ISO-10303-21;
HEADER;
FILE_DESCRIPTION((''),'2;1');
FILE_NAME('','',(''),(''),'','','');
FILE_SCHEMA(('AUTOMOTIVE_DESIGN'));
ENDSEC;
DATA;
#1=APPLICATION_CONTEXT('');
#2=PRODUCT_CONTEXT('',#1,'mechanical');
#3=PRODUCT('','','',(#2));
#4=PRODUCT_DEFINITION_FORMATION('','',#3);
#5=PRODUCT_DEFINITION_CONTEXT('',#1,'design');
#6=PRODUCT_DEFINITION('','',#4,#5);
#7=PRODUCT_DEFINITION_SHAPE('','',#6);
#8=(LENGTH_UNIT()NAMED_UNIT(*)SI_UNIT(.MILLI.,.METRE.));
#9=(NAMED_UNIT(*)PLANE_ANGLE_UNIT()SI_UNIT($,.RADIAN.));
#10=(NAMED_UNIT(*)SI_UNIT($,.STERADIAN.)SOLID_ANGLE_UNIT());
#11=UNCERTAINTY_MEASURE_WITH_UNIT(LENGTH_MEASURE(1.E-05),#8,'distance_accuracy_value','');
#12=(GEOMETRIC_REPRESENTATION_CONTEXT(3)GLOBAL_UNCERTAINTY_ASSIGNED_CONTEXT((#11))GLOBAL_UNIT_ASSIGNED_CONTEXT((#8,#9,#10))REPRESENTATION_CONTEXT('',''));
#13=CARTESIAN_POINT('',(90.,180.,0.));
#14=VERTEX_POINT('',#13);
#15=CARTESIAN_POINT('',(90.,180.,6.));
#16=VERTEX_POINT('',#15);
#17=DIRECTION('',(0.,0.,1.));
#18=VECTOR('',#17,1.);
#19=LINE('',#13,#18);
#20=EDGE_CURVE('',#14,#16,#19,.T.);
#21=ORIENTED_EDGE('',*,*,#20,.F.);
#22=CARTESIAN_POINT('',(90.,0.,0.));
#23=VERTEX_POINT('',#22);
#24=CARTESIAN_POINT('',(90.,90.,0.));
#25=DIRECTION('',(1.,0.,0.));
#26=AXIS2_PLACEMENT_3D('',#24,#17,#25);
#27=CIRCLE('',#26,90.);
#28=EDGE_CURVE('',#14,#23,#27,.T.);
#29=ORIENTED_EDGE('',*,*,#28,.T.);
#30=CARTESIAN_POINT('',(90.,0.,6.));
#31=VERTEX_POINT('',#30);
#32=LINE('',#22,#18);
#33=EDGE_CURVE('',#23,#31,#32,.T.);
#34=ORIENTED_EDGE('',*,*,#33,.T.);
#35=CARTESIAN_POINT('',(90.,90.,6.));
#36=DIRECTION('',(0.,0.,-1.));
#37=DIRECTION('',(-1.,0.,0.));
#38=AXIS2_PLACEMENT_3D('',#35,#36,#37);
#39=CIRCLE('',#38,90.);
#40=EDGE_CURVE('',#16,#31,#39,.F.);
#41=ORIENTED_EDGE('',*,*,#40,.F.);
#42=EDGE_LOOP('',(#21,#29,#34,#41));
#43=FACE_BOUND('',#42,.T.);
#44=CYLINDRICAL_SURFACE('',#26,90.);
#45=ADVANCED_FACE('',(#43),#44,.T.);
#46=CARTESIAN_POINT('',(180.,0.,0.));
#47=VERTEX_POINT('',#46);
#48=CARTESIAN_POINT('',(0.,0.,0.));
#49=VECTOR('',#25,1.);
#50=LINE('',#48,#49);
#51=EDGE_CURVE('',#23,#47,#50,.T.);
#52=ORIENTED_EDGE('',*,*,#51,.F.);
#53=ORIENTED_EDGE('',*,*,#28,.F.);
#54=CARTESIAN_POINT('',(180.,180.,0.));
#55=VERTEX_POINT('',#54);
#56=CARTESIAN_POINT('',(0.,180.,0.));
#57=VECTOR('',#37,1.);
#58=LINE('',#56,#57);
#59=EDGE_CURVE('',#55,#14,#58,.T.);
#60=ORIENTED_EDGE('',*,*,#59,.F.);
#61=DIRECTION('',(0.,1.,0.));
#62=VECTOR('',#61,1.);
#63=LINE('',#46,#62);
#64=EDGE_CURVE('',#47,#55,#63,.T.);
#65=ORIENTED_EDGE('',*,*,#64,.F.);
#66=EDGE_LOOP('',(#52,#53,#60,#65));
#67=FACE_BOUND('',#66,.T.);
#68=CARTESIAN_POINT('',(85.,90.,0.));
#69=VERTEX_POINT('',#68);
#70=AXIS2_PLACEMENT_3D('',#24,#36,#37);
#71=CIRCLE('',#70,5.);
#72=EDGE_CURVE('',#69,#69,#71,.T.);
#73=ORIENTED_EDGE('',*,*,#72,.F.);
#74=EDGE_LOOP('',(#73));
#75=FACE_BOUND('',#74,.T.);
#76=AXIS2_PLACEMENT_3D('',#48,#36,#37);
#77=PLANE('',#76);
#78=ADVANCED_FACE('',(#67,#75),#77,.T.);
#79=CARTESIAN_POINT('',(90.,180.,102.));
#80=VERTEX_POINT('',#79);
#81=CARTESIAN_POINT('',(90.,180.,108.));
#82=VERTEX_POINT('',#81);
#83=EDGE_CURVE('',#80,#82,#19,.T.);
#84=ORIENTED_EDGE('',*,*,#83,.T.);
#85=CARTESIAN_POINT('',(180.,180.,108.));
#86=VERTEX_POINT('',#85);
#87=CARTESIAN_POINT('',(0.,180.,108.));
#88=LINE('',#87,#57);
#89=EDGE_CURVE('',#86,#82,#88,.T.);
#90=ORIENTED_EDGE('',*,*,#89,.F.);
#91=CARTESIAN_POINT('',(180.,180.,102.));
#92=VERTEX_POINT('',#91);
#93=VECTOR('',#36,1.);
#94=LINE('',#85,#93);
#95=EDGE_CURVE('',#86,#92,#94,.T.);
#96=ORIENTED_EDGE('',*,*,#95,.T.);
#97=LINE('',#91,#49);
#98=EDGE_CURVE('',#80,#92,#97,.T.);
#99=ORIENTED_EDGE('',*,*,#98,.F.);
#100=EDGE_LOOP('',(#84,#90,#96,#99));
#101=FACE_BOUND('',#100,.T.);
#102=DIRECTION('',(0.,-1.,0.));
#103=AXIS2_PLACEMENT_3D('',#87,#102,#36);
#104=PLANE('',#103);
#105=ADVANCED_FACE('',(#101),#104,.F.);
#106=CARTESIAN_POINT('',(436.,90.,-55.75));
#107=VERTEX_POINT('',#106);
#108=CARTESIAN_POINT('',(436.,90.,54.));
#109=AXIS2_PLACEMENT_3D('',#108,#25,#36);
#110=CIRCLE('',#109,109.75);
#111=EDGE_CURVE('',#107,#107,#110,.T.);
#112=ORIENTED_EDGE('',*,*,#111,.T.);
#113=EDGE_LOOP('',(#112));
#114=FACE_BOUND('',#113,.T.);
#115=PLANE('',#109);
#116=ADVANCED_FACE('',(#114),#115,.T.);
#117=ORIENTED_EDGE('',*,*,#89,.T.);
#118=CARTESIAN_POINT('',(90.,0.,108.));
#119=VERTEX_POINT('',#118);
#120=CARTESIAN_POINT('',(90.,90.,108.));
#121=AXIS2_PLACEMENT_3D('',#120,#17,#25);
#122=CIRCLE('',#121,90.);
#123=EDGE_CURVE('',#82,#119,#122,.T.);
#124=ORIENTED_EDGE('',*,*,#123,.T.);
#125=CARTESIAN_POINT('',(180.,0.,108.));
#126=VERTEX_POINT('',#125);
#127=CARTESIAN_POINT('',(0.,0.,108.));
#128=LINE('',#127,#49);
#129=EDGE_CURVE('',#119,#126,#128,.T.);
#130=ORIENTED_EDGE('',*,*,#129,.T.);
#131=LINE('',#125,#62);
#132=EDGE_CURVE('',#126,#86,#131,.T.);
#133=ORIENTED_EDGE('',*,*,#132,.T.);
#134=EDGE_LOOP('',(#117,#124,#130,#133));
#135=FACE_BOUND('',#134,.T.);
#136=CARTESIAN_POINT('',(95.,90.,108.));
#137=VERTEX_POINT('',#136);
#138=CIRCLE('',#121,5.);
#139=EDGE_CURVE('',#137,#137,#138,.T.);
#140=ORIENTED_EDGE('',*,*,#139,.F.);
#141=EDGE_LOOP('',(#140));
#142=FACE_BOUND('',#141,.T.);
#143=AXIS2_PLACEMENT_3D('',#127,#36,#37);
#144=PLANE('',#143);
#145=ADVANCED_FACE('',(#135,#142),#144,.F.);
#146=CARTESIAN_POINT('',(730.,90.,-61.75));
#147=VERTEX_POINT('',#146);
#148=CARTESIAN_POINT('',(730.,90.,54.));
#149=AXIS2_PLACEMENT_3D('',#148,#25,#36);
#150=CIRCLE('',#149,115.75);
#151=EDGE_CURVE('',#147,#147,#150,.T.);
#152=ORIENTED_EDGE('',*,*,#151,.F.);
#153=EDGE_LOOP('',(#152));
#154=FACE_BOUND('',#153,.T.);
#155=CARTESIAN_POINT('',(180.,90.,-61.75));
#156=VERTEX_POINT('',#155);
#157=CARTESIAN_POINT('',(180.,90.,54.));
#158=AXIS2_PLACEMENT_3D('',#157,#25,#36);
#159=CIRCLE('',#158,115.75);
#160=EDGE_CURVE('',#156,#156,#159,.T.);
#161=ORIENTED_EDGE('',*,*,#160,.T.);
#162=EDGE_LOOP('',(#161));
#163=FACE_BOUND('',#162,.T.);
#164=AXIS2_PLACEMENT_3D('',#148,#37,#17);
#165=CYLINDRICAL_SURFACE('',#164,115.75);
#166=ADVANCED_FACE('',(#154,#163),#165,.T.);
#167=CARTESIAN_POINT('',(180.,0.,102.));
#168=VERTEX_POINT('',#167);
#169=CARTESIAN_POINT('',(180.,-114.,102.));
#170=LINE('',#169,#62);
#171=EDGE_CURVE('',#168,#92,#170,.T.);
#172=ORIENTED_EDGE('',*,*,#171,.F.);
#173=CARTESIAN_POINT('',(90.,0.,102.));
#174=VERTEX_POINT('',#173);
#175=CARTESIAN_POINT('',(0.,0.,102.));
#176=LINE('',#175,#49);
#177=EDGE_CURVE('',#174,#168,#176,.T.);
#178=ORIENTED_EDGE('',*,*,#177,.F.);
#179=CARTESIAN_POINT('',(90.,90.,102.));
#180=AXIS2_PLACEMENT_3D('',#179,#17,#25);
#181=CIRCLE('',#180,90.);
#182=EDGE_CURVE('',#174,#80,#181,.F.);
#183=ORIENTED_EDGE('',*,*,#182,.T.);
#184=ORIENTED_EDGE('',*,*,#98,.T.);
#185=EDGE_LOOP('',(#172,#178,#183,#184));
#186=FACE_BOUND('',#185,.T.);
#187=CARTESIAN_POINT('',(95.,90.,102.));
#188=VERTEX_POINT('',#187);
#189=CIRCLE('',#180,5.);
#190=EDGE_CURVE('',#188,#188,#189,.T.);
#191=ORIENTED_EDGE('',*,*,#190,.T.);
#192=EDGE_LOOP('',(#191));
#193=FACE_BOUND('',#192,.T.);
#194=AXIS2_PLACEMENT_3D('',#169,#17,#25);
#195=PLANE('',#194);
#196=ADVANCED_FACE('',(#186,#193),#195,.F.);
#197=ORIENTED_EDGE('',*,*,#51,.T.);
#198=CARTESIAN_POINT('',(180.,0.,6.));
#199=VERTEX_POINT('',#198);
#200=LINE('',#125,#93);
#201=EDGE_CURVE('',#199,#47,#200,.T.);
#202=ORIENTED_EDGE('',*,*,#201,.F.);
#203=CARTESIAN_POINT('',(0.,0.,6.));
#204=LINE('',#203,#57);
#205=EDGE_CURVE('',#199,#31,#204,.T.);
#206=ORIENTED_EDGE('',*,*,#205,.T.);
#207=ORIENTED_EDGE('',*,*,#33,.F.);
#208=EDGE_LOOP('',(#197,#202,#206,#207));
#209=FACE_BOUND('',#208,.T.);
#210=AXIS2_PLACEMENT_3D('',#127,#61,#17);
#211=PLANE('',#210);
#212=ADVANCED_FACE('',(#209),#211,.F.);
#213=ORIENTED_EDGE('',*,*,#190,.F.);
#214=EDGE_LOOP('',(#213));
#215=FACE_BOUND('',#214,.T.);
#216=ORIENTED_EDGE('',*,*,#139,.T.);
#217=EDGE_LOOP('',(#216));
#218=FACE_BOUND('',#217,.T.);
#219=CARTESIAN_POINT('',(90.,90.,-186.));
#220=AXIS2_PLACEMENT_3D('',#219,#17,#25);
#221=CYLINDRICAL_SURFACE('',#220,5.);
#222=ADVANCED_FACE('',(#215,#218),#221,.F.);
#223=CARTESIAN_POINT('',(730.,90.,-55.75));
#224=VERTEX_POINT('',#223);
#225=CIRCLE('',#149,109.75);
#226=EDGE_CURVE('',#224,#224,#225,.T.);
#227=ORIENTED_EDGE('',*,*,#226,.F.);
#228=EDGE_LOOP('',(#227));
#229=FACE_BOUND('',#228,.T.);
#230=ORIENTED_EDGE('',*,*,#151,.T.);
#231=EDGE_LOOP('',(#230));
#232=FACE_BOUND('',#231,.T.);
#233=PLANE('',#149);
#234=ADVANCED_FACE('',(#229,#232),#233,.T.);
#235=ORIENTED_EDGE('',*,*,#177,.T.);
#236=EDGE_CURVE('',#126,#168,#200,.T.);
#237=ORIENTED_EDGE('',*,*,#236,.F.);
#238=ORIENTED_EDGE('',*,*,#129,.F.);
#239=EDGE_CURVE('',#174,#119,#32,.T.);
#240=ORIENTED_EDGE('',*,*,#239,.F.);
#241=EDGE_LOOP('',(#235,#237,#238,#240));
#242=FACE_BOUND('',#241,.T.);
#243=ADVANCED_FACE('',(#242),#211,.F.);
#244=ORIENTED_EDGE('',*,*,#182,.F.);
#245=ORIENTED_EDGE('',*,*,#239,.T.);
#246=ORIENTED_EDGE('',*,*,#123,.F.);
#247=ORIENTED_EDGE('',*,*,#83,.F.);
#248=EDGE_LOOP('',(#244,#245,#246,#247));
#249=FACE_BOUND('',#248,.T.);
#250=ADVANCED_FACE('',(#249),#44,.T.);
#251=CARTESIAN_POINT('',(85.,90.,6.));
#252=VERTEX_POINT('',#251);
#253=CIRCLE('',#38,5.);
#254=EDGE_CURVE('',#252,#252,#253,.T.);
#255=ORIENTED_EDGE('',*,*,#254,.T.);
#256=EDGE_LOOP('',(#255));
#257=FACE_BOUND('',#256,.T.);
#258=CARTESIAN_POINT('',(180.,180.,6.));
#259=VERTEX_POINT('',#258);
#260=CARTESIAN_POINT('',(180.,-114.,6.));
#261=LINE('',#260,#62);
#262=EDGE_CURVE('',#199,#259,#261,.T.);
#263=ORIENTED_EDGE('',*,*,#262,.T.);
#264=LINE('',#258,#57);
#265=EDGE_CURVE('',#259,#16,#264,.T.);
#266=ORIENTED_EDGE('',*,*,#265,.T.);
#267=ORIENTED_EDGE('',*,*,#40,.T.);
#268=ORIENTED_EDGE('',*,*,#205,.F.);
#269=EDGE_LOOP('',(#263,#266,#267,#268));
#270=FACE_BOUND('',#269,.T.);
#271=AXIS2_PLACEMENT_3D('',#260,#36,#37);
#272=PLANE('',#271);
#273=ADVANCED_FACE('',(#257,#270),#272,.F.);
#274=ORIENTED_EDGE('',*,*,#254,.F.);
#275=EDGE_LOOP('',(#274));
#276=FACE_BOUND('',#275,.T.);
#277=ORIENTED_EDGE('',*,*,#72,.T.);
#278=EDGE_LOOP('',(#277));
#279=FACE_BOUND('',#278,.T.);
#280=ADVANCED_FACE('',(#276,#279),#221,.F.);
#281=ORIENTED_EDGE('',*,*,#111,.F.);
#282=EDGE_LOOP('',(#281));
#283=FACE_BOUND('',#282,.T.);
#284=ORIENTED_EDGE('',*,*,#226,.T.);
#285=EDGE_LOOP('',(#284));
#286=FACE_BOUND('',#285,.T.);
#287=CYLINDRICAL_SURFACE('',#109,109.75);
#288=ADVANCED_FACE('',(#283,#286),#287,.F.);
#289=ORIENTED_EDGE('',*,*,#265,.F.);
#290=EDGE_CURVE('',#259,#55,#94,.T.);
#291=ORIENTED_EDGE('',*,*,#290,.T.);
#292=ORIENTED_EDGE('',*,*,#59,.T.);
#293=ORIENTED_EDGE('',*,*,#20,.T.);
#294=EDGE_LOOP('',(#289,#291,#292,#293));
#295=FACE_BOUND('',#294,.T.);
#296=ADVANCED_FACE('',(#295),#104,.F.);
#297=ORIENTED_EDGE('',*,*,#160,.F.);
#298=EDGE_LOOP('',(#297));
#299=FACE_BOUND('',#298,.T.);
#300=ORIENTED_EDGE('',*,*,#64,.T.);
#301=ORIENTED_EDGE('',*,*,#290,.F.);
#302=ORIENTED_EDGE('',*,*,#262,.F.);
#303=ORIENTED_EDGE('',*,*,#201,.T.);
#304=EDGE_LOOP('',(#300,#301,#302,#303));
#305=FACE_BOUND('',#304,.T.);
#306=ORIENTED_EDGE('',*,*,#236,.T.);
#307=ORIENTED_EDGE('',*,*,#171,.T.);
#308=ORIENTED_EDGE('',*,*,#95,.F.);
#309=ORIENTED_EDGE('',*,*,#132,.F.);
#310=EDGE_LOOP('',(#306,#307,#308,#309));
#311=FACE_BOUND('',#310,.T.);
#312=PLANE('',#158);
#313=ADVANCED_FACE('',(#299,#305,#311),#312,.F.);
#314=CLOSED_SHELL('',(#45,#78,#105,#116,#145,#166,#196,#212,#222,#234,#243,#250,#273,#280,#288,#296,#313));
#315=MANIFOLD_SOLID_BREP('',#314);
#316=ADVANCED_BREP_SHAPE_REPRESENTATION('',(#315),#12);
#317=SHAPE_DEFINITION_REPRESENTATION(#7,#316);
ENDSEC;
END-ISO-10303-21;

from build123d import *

# Parameters (mm, degrees)
IZIM10_W                    = 180
IZIM10_H                    = 180
Y_KSEKLIK_EKSTR_ZYON1_DEPTH = 108
KES_EKSTR_ZYON7_DEPTH       = 108
IZIM13_R                    = 115.75
Y_KSEKLIK_EKSTR_ZYON2_DEPTH = 550
IZIM14_R                    = 109.75
KES_EKSTR_ZYON8_DEPTH       = 294
IZIM15_W                    = 180
IZIM15_H                    = 96
KES_EKSTR_ZYON9_DEPTH       = 294
IZIM16_R                    = 5
KES_EKSTR_ZYON10_DEPTH      = 294


with BuildPart() as part:
    # Çizim10 → Yükseklik-Ekstrüzyon1 (new body)
    with BuildSketch(Plane.XY):
        with Locations((90, 90)):
            Rectangle(IZIM10_W, IZIM10_H)
    extrude(amount=Y_KSEKLIK_EKSTR_ZYON1_DEPTH)

    # Çizim11 → Kes-Ekstrüzyon7 (cut)
    with BuildSketch(Plane.XY.offset(108)):
        with BuildLine():
            ThreePointArc((0, 90), (26.360389693, 153.639610307), (90, 180))
            Line((90, 180), (0, 180))
            Line((0, 180), (0, 90))
        make_face()
        with BuildLine():
            ThreePointArc((90, 0), (26.360389693, 26.360389693), (0, 90))
            Line((0, 90), (0, 0))
            Line((0, 0), (90, 0))
        make_face()
    extrude(amount=-KES_EKSTR_ZYON7_DEPTH, mode=Mode.SUBTRACT)

    # Çizim13 → Yükseklik-Ekstrüzyon2 (add)
    with BuildSketch(Plane(origin=(180, 0, 0), x_dir=(0, 0, -1), z_dir=(1, 0, 0))):
        with Locations((-54, 90)):
            Circle(IZIM13_R)
    extrude(amount=Y_KSEKLIK_EKSTR_ZYON2_DEPTH)

    # Çizim14 → Kes-Ekstrüzyon8 (cut)
    with BuildSketch(Plane(origin=(730, 0, 0), x_dir=(0, 0, -1), z_dir=(1, 0, 0))):
        with Locations((-54, 90)):
            Circle(IZIM14_R)
    extrude(amount=-KES_EKSTR_ZYON8_DEPTH, mode=Mode.SUBTRACT)

    # Çizim15 → Kes-Ekstrüzyon9 (cut)
    with BuildSketch(Plane(origin=(0, 180, 0), x_dir=(1, 0, 0), z_dir=(0, 1, 0))):
        with Locations((90, -54)):
            Rectangle(IZIM15_W, IZIM15_H)
    extrude(amount=-KES_EKSTR_ZYON9_DEPTH, mode=Mode.SUBTRACT)

    # Çizim16 → Kes-Ekstrüzyon10 (cut)
    with BuildSketch(Plane.XY.offset(108)):
        with Locations((90, 90)):
            Circle(IZIM16_R)
    extrude(amount=-KES_EKSTR_ZYON10_DEPTH, mode=Mode.SUBTRACT)


solid = part.part
